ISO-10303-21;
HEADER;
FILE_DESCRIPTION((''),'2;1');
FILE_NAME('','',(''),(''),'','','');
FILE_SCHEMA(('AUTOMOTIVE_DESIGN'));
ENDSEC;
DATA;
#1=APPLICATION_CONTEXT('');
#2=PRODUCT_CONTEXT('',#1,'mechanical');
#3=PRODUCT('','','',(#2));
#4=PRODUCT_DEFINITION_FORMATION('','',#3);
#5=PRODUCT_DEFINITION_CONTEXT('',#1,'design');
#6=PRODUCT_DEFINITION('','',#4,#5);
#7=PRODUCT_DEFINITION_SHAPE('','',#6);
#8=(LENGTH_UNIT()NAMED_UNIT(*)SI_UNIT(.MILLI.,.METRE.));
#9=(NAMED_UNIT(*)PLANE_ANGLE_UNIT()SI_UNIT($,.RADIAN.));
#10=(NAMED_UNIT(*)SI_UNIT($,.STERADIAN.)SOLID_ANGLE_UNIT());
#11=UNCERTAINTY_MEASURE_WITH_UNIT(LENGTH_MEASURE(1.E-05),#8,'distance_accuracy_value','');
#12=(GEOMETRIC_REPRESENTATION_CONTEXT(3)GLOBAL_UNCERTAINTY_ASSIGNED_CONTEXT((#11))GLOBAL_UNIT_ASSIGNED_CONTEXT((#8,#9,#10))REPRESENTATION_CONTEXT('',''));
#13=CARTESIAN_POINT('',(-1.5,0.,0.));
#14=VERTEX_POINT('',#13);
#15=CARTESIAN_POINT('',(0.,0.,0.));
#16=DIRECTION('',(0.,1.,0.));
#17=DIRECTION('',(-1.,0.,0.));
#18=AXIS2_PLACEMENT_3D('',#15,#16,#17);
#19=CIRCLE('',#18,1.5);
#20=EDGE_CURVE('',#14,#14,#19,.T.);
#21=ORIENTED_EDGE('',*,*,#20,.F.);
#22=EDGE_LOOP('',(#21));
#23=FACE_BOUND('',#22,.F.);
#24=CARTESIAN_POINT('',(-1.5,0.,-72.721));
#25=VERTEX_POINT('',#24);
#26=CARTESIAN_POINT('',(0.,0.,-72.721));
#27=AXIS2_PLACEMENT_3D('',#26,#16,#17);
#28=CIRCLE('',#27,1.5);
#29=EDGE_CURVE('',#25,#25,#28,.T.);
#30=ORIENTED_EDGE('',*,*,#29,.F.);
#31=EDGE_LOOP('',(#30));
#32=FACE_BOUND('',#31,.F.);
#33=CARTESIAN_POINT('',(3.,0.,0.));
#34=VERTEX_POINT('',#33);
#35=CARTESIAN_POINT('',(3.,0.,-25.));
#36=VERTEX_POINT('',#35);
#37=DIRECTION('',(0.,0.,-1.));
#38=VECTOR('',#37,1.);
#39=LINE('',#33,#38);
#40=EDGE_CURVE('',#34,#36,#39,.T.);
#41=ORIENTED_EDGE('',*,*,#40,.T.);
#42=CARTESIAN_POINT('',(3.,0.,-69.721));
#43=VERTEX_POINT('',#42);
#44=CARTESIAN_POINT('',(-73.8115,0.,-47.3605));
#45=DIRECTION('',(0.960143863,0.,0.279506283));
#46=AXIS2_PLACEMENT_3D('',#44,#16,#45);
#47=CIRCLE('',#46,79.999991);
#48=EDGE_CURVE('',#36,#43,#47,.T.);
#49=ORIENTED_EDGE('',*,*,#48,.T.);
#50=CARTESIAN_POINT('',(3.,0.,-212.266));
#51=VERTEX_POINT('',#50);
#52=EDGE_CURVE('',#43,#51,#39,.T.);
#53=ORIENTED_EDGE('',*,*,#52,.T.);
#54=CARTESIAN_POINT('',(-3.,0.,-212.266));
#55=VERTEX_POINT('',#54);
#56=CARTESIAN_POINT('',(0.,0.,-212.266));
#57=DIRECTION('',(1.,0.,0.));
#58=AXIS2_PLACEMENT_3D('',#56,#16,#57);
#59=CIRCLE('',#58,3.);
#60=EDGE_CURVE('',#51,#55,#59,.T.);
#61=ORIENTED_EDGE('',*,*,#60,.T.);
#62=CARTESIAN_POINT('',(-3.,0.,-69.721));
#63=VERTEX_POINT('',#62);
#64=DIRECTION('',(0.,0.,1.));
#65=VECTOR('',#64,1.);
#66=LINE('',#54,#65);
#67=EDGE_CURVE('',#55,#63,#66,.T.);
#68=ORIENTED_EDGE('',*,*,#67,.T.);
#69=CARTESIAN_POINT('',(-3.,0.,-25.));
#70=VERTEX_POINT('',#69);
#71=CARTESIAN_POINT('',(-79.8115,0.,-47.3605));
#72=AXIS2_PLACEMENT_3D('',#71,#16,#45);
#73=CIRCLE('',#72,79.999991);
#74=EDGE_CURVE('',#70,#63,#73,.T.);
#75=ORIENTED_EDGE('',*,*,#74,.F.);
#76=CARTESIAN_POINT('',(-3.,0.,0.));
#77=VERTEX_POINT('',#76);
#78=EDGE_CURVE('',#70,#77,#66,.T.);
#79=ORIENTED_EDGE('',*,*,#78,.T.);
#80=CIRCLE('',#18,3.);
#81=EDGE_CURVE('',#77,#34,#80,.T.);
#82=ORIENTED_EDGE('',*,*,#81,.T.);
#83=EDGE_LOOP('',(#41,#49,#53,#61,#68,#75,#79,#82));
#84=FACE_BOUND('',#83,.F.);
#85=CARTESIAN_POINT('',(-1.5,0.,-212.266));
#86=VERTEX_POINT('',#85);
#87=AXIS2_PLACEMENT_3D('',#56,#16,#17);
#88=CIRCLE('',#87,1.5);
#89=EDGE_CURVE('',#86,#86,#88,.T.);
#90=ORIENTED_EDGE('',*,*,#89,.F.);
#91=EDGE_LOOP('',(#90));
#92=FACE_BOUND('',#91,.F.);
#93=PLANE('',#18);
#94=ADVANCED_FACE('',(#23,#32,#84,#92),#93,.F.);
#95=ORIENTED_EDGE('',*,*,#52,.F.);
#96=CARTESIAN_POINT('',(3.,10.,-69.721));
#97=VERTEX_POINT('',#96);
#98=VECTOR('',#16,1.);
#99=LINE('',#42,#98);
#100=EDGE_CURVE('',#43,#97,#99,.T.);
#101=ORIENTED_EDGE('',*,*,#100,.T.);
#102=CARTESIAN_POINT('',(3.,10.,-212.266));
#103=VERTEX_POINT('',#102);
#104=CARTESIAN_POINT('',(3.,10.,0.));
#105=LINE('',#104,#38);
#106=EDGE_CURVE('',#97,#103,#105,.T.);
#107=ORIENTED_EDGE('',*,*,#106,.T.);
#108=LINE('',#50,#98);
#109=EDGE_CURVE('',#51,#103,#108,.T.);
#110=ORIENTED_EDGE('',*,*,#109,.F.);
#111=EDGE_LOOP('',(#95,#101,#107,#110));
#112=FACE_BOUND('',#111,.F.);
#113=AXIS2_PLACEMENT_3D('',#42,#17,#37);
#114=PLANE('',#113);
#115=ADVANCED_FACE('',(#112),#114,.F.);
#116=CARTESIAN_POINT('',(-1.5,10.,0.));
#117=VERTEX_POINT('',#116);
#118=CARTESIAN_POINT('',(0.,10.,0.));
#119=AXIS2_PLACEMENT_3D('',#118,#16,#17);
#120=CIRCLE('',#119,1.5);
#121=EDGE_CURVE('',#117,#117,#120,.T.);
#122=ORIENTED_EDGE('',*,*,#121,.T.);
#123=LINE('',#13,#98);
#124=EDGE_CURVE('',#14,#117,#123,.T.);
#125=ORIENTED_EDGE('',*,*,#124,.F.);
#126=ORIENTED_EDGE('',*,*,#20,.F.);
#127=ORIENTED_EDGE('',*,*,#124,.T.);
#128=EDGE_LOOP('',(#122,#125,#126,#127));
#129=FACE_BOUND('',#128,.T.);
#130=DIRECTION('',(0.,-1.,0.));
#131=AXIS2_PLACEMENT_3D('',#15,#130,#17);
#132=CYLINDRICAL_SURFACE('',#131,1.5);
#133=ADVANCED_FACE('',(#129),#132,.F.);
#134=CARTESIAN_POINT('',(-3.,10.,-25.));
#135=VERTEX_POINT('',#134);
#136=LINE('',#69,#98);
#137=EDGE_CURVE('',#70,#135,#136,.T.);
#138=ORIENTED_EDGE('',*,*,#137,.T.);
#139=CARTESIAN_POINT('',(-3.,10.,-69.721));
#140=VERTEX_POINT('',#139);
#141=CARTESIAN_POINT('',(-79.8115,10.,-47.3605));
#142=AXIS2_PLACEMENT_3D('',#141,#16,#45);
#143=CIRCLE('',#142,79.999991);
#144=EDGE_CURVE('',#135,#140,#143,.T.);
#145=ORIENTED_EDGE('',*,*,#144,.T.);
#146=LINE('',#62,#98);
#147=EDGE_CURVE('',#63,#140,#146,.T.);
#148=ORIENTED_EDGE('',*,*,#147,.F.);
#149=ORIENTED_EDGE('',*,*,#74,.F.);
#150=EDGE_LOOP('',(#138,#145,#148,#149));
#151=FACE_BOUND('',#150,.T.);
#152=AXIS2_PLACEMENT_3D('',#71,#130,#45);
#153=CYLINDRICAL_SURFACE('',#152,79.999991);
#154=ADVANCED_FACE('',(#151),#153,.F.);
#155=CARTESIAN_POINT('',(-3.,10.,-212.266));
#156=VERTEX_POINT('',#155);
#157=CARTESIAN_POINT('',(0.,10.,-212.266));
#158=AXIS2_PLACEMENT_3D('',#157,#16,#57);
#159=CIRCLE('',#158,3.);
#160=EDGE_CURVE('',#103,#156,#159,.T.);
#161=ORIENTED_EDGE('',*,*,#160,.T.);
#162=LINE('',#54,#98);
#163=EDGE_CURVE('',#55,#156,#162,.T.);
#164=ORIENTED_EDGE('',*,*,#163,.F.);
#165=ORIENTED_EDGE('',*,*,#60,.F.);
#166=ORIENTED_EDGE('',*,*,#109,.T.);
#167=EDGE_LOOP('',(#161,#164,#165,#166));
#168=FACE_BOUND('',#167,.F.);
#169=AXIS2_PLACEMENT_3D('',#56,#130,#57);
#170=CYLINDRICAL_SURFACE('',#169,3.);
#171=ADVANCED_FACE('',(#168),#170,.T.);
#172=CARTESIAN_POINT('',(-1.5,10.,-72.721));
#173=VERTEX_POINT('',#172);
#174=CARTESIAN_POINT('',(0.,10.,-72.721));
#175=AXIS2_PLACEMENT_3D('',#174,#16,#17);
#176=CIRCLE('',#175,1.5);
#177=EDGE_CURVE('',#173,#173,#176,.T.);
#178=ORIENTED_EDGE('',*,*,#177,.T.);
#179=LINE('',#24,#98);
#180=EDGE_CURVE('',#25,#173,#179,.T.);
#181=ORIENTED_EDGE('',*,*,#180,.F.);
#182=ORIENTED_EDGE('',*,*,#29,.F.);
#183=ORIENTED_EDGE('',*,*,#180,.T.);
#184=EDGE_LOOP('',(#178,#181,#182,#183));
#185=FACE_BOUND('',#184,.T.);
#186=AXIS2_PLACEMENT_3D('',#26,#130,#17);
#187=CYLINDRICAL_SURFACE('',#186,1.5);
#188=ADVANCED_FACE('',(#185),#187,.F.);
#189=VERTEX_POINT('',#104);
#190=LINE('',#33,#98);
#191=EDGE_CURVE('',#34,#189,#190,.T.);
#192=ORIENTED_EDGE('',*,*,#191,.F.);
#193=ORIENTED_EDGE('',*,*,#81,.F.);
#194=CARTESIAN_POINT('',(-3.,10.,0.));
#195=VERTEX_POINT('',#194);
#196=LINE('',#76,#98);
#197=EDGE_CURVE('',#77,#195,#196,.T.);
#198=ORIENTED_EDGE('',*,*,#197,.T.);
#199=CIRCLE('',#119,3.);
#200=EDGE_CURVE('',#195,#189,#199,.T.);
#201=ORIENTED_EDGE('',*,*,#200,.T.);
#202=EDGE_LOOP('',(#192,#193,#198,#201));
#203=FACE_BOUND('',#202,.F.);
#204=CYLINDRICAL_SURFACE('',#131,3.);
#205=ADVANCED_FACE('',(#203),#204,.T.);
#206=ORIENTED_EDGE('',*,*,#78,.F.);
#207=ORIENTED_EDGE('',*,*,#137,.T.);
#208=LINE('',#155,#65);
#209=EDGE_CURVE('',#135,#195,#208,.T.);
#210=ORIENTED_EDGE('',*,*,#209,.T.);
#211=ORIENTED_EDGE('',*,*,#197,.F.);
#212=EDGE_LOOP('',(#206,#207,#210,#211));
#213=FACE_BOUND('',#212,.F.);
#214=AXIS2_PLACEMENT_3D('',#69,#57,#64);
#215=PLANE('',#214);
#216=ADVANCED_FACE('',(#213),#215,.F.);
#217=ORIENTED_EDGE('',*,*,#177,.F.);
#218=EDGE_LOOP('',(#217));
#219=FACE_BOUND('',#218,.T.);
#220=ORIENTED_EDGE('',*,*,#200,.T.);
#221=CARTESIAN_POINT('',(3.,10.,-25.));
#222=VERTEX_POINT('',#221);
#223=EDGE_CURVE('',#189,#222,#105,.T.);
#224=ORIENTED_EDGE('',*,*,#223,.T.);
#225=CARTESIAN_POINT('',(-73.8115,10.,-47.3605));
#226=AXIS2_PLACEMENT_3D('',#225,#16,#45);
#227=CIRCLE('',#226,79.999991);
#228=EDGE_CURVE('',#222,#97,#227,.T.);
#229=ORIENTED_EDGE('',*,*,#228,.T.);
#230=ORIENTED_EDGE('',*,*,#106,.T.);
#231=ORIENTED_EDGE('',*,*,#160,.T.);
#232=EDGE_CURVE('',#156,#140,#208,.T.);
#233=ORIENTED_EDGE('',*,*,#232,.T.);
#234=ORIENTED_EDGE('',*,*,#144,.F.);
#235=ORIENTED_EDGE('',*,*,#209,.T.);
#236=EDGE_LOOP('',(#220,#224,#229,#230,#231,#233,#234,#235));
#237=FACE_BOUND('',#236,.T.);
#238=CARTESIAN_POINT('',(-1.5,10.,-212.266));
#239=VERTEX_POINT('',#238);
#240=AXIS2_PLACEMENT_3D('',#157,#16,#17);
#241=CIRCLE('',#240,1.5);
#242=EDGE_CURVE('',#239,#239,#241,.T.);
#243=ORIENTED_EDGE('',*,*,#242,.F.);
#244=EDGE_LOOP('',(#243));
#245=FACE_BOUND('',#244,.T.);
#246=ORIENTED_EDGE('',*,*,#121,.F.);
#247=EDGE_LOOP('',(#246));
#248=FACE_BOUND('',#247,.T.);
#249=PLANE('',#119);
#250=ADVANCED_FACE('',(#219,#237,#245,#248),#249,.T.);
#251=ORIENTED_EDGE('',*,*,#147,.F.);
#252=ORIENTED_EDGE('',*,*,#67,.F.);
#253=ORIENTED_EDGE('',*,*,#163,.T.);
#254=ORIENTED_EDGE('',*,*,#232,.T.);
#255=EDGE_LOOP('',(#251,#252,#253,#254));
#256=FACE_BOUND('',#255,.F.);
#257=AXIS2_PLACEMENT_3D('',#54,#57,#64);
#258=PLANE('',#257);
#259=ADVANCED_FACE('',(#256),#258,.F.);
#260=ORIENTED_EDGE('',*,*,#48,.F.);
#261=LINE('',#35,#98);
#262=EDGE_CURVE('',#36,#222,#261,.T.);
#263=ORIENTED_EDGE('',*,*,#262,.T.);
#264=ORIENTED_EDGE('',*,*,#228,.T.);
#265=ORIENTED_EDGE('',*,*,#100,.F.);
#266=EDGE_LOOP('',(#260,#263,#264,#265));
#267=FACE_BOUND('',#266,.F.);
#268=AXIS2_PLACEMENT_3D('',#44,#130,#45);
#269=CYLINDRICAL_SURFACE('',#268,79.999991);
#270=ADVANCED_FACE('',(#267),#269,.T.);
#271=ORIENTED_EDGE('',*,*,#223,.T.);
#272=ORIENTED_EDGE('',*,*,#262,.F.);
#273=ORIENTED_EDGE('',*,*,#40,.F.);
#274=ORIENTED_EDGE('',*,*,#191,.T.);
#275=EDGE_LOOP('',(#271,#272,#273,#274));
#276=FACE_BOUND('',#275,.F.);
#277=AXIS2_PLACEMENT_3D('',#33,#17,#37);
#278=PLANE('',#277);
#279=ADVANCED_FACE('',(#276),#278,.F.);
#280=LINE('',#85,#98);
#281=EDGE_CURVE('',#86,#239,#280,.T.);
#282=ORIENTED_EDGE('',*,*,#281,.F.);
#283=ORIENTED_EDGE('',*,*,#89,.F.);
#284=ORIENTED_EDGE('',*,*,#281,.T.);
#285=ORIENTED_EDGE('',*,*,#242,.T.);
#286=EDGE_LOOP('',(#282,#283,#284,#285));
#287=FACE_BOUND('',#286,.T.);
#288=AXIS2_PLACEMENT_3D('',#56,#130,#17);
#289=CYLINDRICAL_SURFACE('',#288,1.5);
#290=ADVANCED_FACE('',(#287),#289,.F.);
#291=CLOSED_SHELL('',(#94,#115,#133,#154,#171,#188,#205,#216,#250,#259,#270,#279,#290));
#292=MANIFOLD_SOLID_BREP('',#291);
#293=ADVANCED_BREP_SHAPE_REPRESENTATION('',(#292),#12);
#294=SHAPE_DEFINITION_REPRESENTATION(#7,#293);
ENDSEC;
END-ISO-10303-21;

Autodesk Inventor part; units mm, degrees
ref_plane "YZ Plane" through (0, 0, 0) normal (1, 0, 0) x (0, 1, 0)
ref_plane "XZ Plane" through (0, 0, 0) normal (0, 1, 0) x (-1, 0, 0)
ref_plane "XY Plane" through (0, 0, 0) normal (0, 0, 1) x (1, 0, 0)
sketch "Sketch1" plane through (0, 0, 0) normal (0, 1, 0) x (-1, 0, 0)
  line L0 (0, 0) -> (0, -212.266) construction
  line L1 (-3, 0) -> (-3, -212.266)
  line L2 (3, -212.266) -> (3, 0)
  arc A0 (3, 0) -> (-3, 0) centre (0, 0) ccw
  arc A1 (-3, -212.266) -> (3, -212.266) centre (0, -212.266) ccw
  circle A2 centre (0, 0) radius 1.5
  circle A3 centre (0, -212.266) radius 1.5
  circle A4 centre (0, -72.721) radius 1.5
  arc A5 (3, -25) -> (3, -69.721) centre (79.8115, -47.3605) ccw
  arc A6 (-3, -25) -> (-3, -69.721) centre (73.8115, -47.3605) ccw
  point P0 (0, -106.133)
  dimension "d0" = 6
  dimension "d1" = 212.266
  dimension "d2" = 3
  dimension "d3" = 3
  dimension "d10" = 3
  dimension "d11" = 72.721
  dimension "d12" = 80
  dimension "d13" = 80
  dimension "d14" = 3
  dimension "d15" = 25
extrude "Extrusion1" add sketch "Sketch1" along normal blind 10 contours A0 L2 A5 A1 L1 | L1 A6
